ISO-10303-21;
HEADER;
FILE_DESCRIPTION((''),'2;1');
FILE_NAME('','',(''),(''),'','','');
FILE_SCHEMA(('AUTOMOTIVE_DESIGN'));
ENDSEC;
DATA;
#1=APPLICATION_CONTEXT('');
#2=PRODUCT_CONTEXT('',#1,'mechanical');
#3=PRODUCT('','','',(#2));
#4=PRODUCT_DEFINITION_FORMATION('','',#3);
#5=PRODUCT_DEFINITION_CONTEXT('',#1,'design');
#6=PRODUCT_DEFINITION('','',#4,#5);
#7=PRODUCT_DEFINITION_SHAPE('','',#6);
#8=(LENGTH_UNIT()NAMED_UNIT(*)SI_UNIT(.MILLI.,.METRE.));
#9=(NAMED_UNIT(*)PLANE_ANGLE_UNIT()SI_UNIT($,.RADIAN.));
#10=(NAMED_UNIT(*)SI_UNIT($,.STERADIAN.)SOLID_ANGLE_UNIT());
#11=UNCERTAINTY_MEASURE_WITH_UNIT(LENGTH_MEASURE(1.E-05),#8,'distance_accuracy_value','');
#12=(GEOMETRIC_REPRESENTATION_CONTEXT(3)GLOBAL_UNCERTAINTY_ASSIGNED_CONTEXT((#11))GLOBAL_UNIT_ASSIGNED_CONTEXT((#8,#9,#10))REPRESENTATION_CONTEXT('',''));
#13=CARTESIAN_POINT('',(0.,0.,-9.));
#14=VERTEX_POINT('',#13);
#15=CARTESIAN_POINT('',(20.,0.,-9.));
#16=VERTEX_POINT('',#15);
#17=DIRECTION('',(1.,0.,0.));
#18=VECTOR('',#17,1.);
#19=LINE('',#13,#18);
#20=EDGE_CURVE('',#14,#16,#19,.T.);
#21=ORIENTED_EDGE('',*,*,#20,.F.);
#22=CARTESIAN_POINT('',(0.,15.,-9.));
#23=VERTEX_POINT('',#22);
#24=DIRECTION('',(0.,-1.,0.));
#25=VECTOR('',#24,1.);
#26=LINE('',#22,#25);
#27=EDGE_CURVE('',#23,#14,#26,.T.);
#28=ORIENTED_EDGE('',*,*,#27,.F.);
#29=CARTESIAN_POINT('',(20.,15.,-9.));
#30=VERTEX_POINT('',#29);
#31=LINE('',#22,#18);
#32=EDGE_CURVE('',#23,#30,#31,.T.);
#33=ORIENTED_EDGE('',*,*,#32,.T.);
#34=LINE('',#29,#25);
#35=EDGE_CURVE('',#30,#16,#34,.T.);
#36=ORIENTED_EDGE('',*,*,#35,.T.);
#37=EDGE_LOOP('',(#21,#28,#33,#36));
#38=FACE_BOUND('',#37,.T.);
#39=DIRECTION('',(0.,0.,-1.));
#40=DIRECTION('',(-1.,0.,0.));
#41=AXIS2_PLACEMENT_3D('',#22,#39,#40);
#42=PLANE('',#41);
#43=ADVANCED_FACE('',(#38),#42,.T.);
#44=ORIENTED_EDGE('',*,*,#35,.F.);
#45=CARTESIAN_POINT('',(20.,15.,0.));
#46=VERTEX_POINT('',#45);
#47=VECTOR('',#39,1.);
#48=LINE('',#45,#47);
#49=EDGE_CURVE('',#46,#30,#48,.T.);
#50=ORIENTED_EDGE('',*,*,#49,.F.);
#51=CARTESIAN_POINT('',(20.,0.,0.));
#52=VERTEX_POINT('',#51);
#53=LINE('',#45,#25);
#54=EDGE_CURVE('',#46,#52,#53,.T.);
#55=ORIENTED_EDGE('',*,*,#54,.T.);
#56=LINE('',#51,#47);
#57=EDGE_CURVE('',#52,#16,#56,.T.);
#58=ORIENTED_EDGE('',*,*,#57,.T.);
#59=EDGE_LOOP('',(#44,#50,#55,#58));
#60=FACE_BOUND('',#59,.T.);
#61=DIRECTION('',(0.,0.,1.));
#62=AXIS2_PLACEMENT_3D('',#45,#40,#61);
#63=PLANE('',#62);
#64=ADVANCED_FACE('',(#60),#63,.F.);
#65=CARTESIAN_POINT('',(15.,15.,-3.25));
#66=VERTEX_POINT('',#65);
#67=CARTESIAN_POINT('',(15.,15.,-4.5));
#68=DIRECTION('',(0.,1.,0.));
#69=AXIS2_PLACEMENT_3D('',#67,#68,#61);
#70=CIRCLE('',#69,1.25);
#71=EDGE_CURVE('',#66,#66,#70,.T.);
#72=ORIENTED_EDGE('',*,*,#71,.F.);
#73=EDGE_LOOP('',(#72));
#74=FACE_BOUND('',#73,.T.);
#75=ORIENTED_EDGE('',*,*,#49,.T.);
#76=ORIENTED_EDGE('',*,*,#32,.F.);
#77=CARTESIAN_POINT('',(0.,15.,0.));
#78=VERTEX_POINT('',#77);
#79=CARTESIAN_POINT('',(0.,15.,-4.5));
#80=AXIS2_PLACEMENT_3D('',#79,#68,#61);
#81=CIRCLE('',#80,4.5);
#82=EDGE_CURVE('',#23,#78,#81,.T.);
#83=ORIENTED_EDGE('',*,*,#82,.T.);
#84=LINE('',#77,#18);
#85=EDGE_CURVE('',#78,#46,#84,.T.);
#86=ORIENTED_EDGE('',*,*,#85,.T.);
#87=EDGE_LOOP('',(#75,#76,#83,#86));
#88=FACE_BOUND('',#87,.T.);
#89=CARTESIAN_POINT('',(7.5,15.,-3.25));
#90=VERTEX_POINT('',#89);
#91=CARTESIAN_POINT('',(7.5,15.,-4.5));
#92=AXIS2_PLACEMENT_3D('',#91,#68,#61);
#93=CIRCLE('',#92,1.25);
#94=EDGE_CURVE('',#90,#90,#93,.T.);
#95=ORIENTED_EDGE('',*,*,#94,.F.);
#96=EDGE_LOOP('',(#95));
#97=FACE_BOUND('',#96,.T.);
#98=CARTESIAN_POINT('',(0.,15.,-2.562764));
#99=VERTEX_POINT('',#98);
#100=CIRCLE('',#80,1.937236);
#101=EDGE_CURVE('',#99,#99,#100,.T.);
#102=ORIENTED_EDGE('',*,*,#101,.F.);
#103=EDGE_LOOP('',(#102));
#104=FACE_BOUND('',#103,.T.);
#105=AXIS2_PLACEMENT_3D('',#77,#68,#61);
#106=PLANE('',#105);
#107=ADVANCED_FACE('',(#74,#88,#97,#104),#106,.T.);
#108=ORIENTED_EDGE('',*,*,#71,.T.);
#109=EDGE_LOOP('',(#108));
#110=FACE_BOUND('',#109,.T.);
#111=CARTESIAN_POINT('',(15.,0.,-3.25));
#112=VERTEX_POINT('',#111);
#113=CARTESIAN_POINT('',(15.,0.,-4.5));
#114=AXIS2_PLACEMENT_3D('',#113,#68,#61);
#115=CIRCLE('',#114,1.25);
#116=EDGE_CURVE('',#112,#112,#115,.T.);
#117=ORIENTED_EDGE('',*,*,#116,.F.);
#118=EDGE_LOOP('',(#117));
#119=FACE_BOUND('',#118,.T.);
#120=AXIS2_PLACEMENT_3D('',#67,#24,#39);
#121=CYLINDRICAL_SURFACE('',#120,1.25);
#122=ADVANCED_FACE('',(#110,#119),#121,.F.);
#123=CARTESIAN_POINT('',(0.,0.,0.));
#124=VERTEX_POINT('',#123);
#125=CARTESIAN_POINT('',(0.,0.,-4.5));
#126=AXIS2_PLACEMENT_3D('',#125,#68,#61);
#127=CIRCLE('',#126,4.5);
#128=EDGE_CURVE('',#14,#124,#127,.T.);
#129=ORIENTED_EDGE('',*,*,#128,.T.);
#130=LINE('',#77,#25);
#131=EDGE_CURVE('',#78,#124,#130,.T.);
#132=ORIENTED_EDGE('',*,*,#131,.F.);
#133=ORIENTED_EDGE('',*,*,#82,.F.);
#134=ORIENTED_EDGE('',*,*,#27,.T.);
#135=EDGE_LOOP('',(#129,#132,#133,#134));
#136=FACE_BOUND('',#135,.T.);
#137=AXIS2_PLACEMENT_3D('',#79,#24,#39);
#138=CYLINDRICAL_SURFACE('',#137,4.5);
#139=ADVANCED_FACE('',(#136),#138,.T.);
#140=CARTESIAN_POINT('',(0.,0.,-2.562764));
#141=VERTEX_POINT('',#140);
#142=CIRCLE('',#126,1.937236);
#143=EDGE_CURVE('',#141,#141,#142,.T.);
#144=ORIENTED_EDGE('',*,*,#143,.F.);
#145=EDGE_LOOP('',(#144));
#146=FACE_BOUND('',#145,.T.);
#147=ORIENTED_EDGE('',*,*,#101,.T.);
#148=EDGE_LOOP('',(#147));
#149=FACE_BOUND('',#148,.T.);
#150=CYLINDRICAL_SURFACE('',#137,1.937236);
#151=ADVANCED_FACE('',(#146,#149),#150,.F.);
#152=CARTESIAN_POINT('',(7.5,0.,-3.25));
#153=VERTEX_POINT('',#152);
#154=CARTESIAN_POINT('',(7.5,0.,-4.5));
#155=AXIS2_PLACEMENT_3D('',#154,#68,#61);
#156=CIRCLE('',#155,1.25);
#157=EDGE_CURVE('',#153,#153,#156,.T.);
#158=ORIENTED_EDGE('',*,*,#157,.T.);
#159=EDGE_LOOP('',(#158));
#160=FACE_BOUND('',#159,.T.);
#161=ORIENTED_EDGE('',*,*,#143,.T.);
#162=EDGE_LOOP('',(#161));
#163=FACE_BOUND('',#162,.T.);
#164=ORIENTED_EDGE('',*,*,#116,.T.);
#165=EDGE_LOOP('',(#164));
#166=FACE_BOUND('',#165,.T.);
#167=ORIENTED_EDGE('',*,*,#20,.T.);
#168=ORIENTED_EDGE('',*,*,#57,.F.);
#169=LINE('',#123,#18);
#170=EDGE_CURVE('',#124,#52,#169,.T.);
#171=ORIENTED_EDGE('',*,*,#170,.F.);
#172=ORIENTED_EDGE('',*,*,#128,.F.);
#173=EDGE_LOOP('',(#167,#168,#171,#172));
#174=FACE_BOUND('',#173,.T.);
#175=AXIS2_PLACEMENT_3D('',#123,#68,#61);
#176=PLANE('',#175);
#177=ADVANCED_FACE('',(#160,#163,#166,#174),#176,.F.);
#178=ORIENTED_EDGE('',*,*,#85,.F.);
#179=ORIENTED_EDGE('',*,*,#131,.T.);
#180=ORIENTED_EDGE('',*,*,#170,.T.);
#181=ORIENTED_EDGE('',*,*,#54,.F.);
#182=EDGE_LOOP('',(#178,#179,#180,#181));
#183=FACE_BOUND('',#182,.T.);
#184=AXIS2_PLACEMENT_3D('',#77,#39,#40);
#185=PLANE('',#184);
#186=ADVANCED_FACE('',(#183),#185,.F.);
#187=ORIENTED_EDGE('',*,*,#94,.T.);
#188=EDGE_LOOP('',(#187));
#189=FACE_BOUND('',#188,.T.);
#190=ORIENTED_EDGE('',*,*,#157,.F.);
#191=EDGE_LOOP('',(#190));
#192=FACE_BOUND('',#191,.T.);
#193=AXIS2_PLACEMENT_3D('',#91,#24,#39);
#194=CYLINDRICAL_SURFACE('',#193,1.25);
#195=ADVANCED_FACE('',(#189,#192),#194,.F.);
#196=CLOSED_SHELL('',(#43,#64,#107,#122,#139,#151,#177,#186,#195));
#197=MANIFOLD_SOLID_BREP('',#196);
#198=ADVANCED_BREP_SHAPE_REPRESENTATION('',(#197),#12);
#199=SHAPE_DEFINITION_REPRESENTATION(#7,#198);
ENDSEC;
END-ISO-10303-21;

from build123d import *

# Parameters (mm, degrees)
SKETCH2_R           = 1.937236025
SKETCH2_R_2         = 1.25
BOSS_EXTRUDE2_DEPTH = 15


with BuildPart() as part:
    # Sketch2 → Boss-Extrude2 (new body)
    with BuildSketch(Plane(origin=(0, 0, 0), x_dir=(1, 0, 0), z_dir=(0, 1, 0))):
        with BuildLine():
            Line((20, 9), (0, 9))
            ThreePointArc((0, 9), (-4.5, 4.5), (0, 0))
            Line((0, 0), (20, 0))
            Line((20, 0), (20, 9))
        make_face()
        with Locations((0, 4.5)):
            Circle(SKETCH2_R, mode=Mode.SUBTRACT)
        with BuildLine():
            ThreePointArc((8.75, 4.5), (7.5, 3.25), (6.25, 4.5))
            ThreePointArc((6.25, 4.5), (7.5, 5.75), (8.75, 4.5))
        make_face(mode=Mode.SUBTRACT)
        with Locations((15, 4.5)):
            Circle(SKETCH2_R_2, mode=Mode.SUBTRACT)
    extrude(amount=BOSS_EXTRUDE2_DEPTH)


solid = part.part
